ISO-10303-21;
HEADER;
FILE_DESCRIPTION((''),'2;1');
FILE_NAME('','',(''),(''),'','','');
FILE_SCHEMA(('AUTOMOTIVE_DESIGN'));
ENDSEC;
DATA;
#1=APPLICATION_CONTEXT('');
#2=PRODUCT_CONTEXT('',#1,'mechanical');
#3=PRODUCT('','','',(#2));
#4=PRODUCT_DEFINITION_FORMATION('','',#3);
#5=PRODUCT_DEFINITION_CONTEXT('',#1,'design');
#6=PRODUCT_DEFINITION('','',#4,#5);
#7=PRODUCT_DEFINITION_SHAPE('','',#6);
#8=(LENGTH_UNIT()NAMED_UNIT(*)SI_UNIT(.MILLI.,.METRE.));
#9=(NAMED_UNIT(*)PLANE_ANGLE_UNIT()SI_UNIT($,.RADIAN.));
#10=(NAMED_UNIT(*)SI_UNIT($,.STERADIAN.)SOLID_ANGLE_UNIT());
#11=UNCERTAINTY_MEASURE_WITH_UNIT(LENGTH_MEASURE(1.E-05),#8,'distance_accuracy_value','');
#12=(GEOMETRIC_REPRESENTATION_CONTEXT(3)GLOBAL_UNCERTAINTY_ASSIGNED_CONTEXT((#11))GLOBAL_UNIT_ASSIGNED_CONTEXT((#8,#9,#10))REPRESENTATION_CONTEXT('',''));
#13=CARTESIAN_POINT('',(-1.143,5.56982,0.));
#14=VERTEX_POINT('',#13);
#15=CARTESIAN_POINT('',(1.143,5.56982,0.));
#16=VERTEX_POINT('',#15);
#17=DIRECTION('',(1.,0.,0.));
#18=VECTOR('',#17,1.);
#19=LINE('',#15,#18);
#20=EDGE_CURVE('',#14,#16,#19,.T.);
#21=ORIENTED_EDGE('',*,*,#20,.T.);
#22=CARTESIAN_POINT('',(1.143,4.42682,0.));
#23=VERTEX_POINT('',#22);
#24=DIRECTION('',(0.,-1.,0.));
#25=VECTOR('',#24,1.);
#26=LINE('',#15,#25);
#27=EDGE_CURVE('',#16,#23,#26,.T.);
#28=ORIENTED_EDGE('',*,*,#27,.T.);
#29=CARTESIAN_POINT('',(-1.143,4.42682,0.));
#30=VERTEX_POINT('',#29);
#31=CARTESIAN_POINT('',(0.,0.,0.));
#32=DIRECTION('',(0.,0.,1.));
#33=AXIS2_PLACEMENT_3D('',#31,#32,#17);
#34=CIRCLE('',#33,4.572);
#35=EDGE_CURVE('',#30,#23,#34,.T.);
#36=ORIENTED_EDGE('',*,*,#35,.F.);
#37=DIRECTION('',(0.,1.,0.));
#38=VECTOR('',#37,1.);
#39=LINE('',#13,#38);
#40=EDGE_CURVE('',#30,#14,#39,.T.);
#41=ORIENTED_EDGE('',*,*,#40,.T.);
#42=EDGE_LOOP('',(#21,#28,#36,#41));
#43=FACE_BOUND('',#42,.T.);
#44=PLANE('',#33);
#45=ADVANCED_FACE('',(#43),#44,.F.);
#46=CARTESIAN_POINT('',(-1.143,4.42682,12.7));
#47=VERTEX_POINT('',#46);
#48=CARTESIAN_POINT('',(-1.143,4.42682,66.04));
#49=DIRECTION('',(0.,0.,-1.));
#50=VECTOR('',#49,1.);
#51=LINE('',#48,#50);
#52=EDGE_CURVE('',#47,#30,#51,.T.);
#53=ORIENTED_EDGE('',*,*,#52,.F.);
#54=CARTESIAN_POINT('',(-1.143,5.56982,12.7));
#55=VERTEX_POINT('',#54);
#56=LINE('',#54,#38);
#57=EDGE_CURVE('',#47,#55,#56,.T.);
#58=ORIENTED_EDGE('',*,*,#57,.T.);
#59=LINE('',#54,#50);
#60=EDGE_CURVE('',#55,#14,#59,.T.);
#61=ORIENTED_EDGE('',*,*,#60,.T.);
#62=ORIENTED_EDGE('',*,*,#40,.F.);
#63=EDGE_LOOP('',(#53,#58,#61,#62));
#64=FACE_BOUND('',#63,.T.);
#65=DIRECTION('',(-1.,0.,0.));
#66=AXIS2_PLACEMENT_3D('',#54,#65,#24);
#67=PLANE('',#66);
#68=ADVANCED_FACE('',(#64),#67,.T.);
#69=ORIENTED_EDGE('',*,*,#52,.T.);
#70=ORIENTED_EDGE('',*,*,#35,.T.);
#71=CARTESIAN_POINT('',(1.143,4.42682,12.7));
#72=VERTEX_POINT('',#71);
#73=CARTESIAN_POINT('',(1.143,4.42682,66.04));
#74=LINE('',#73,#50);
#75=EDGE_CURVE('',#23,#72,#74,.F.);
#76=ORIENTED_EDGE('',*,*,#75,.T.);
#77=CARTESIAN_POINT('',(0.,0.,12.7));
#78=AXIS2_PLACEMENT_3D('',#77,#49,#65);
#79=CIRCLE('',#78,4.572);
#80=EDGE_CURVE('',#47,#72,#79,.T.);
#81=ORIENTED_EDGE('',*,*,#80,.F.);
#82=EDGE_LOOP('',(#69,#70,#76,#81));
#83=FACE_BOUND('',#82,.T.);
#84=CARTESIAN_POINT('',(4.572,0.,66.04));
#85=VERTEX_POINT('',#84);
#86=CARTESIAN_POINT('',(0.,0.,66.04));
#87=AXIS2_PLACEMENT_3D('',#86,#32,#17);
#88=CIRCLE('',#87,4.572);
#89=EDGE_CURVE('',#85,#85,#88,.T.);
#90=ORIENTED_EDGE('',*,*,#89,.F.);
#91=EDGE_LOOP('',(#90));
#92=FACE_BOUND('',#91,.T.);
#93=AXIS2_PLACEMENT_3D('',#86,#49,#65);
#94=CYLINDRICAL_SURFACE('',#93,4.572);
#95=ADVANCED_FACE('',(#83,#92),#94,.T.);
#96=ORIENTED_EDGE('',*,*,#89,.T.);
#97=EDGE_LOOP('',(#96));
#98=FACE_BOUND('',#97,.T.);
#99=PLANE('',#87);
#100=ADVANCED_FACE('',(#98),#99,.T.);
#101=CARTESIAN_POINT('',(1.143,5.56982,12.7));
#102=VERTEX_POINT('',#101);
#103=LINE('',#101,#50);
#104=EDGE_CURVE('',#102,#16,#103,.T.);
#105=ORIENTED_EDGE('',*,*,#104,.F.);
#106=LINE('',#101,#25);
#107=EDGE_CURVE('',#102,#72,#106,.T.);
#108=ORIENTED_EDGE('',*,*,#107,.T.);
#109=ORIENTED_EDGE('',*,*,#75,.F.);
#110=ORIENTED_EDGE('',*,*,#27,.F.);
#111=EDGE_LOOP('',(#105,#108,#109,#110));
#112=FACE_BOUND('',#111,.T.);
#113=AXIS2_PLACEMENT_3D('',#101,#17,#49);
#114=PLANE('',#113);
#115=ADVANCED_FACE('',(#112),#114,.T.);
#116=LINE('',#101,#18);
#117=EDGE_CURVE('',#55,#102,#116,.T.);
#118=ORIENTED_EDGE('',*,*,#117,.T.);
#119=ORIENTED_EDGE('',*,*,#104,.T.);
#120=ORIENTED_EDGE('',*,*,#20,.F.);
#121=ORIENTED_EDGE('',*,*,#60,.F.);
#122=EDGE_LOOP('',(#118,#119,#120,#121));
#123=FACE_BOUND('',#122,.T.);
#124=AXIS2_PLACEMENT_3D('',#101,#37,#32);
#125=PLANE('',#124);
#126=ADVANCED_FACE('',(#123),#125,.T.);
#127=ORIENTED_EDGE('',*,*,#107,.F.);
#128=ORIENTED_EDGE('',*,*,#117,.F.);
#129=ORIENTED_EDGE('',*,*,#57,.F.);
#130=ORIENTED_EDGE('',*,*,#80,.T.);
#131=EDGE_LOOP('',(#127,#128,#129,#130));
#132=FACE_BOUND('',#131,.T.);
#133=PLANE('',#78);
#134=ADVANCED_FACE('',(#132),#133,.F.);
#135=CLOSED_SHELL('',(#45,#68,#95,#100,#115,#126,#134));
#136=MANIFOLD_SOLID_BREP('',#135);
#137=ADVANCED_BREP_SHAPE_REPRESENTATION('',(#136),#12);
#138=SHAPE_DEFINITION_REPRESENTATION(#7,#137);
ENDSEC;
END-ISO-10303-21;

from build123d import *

# Parameters (mm, degrees)
SKETCH1_R           = 4.572
BOSS_EXTRUDE1_DEPTH = 66.04
SKETCH3_W           = 2.286
SKETCH3_H           = 2.286
BOSS_EXTRUDE3_DEPTH = 12.7


with BuildPart() as part:
    # Sketch1 → Boss-Extrude1 (new body)
    with BuildSketch(Plane.XY):
        Circle(SKETCH1_R)
    extrude(amount=BOSS_EXTRUDE1_DEPTH)

    # Sketch3 → Boss-Extrude3 (add)
    with BuildSketch(Plane(origin=(0, 0, 0), x_dir=(-1, 0, 0), z_dir=(0, 0, -1))):
        with Locations((0, 4.426819965)):
            Rectangle(SKETCH3_W, SKETCH3_H)
    extrude(amount=-BOSS_EXTRUDE3_DEPTH)


solid = part.part
